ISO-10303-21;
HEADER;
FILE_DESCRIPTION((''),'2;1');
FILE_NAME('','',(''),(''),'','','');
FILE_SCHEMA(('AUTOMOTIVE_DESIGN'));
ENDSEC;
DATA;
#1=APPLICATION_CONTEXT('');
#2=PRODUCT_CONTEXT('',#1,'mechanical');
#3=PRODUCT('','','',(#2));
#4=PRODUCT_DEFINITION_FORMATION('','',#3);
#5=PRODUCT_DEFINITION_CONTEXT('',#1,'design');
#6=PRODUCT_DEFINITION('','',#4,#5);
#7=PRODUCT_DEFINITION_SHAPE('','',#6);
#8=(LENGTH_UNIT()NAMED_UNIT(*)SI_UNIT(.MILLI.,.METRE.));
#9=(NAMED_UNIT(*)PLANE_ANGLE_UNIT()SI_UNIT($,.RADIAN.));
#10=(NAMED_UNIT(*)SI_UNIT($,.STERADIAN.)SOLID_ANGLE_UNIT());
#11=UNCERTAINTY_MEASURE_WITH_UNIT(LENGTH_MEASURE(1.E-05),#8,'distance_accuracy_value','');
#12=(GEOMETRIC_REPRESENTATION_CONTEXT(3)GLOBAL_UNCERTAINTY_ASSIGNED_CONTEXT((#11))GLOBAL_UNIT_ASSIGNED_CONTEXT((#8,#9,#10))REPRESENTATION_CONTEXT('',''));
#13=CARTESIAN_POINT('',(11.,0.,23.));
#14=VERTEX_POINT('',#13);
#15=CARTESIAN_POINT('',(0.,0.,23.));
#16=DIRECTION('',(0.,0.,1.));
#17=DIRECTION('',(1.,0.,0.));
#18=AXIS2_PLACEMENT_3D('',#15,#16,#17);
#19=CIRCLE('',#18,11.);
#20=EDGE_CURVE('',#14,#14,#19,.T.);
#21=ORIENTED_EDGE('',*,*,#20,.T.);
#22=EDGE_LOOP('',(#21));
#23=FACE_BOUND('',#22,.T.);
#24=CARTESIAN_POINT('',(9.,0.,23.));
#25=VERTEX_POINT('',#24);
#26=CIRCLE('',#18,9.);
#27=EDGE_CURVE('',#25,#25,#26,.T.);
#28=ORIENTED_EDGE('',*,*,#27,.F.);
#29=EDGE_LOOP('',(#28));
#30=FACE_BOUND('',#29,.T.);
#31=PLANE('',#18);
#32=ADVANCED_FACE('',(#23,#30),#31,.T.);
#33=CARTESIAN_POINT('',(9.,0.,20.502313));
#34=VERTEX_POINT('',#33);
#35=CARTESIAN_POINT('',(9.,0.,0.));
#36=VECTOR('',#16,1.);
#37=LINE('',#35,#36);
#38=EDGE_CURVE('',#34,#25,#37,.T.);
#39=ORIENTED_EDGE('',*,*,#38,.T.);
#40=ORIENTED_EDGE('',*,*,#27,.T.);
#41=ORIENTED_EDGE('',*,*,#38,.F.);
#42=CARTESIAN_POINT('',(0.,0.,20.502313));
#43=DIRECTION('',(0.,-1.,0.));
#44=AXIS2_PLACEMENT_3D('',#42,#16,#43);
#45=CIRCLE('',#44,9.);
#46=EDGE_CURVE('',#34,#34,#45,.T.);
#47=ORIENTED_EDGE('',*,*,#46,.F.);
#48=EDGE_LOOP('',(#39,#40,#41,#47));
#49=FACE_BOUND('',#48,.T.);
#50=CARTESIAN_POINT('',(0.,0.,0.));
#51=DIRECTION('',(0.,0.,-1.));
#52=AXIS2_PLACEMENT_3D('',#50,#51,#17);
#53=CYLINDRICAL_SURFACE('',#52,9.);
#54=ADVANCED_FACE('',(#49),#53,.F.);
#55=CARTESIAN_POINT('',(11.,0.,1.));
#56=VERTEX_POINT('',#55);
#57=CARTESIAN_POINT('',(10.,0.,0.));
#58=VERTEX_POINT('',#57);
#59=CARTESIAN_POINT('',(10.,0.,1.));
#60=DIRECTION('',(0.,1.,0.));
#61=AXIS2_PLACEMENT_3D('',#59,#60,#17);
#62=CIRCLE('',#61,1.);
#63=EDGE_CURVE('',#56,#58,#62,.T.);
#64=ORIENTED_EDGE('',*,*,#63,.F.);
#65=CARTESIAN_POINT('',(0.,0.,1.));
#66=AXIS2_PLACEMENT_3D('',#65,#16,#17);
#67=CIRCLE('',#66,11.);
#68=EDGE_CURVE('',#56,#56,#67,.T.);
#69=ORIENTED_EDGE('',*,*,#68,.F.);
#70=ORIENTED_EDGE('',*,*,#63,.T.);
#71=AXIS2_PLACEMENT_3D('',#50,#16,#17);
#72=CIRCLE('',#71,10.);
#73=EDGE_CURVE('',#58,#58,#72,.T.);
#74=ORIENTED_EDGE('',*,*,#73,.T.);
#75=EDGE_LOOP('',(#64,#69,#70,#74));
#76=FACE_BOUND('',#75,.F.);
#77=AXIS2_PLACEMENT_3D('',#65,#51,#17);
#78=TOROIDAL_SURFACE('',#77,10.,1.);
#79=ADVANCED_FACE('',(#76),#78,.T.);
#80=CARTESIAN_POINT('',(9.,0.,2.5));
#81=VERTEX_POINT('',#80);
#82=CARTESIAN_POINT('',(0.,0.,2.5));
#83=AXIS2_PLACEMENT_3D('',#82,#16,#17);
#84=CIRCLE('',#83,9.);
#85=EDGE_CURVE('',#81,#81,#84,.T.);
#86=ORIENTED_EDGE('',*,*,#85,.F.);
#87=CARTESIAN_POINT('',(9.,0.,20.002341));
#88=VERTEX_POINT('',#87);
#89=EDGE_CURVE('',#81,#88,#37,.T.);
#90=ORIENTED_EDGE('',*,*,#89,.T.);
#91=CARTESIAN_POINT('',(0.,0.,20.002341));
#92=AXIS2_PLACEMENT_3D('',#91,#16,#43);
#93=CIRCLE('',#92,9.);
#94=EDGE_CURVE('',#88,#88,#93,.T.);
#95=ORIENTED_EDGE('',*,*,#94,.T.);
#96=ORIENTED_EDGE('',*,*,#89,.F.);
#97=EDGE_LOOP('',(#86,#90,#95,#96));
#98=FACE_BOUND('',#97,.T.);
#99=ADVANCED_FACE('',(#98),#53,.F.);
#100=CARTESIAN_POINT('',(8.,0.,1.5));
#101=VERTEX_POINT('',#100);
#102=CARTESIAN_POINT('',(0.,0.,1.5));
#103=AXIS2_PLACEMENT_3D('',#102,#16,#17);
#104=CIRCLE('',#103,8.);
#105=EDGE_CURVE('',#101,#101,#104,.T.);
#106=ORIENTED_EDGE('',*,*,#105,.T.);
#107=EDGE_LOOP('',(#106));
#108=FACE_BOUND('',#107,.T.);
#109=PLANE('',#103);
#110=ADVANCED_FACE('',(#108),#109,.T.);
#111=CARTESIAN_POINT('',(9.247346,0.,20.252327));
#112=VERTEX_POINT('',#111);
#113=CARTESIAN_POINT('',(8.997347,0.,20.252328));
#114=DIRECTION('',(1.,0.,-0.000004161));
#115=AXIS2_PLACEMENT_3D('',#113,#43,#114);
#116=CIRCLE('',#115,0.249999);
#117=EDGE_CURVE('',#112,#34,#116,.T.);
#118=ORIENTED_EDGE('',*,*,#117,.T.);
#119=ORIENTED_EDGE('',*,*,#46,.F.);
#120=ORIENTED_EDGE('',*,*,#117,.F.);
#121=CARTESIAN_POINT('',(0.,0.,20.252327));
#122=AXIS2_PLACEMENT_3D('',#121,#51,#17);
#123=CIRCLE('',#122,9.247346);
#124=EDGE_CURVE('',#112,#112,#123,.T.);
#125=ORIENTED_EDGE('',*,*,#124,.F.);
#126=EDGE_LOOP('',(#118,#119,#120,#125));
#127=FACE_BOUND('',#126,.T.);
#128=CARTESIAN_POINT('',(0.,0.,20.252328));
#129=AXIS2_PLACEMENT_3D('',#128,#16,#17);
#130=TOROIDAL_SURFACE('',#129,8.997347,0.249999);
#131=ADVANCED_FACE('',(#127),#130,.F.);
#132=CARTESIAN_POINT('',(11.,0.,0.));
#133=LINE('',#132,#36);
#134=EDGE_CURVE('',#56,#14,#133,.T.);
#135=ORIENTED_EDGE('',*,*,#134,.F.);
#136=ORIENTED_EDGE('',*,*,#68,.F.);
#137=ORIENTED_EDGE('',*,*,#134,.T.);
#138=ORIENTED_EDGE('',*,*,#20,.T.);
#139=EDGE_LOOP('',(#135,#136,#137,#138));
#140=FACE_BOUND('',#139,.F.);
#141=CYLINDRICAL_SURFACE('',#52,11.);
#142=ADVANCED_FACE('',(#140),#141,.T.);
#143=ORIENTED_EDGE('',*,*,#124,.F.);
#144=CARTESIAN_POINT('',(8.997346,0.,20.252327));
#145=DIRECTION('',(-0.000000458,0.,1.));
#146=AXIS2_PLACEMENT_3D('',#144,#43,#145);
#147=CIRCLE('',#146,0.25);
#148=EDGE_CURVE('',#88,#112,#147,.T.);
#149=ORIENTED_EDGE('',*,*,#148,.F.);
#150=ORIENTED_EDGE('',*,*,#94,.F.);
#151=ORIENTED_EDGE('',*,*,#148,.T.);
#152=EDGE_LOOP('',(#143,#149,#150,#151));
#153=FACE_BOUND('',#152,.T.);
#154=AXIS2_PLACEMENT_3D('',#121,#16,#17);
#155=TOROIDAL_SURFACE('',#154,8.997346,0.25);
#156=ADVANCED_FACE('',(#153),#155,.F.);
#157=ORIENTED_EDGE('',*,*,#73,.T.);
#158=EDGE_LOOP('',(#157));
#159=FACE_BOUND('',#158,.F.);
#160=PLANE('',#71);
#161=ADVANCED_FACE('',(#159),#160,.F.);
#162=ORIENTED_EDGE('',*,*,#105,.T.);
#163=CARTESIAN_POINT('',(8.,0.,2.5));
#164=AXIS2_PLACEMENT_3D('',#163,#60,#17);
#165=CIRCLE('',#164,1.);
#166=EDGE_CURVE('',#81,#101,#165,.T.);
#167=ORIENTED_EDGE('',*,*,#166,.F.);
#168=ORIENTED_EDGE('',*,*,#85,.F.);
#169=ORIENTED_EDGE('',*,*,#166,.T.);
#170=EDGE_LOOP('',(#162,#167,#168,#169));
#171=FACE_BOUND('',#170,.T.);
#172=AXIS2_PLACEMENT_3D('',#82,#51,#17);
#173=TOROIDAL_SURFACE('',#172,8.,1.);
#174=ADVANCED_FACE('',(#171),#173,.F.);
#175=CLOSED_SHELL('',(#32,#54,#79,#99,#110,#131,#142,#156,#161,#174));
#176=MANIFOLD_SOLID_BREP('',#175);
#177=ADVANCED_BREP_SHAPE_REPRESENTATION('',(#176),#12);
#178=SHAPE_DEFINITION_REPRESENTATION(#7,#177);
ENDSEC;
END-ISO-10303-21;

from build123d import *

# Parameters (mm, degrees)
F0_R     = 9
F1_DEPTH = 1.5
F2_R     = 11
F2_R_2   = 9
F3_DEPTH = 23
F6_R     = 1


with BuildPart() as f1:
    # F0 (on Top) → F1 (new body)
    with BuildSketch(Plane.XY):
        Circle(F0_R)
    extrude(amount=F1_DEPTH)

    # F2 (on Top) → F3 (join)
    with BuildSketch(Plane.XY):
        Circle(F2_R)
        Circle(F2_R_2, mode=Mode.SUBTRACT)
    extrude(amount=F3_DEPTH)

    # F4 (on Front) → F5 (revolve, cut)
    with BuildSketch(Plane.XZ):
        with BuildLine():
            ThreePointArc((8.997346, 20.502327), (8.82057, 20.07555), (9.247346, 20.252327))
            ThreePointArc((9.247346, 20.252327), (9.174123, 20.429104), (8.997346, 20.502327))
        make_face()
    revolve(axis=Axis((0, 0, 0), (0, 0, -1)), mode=Mode.SUBTRACT)

    # F6
    f6_edges = [f1.edges().sort_by_distance(p)[0] for p in [
        (-9, 0, 1.5),
        (-11, 0, 0),
    ]]
    fillet(f6_edges, radius=F6_R)


solid = f1.part
